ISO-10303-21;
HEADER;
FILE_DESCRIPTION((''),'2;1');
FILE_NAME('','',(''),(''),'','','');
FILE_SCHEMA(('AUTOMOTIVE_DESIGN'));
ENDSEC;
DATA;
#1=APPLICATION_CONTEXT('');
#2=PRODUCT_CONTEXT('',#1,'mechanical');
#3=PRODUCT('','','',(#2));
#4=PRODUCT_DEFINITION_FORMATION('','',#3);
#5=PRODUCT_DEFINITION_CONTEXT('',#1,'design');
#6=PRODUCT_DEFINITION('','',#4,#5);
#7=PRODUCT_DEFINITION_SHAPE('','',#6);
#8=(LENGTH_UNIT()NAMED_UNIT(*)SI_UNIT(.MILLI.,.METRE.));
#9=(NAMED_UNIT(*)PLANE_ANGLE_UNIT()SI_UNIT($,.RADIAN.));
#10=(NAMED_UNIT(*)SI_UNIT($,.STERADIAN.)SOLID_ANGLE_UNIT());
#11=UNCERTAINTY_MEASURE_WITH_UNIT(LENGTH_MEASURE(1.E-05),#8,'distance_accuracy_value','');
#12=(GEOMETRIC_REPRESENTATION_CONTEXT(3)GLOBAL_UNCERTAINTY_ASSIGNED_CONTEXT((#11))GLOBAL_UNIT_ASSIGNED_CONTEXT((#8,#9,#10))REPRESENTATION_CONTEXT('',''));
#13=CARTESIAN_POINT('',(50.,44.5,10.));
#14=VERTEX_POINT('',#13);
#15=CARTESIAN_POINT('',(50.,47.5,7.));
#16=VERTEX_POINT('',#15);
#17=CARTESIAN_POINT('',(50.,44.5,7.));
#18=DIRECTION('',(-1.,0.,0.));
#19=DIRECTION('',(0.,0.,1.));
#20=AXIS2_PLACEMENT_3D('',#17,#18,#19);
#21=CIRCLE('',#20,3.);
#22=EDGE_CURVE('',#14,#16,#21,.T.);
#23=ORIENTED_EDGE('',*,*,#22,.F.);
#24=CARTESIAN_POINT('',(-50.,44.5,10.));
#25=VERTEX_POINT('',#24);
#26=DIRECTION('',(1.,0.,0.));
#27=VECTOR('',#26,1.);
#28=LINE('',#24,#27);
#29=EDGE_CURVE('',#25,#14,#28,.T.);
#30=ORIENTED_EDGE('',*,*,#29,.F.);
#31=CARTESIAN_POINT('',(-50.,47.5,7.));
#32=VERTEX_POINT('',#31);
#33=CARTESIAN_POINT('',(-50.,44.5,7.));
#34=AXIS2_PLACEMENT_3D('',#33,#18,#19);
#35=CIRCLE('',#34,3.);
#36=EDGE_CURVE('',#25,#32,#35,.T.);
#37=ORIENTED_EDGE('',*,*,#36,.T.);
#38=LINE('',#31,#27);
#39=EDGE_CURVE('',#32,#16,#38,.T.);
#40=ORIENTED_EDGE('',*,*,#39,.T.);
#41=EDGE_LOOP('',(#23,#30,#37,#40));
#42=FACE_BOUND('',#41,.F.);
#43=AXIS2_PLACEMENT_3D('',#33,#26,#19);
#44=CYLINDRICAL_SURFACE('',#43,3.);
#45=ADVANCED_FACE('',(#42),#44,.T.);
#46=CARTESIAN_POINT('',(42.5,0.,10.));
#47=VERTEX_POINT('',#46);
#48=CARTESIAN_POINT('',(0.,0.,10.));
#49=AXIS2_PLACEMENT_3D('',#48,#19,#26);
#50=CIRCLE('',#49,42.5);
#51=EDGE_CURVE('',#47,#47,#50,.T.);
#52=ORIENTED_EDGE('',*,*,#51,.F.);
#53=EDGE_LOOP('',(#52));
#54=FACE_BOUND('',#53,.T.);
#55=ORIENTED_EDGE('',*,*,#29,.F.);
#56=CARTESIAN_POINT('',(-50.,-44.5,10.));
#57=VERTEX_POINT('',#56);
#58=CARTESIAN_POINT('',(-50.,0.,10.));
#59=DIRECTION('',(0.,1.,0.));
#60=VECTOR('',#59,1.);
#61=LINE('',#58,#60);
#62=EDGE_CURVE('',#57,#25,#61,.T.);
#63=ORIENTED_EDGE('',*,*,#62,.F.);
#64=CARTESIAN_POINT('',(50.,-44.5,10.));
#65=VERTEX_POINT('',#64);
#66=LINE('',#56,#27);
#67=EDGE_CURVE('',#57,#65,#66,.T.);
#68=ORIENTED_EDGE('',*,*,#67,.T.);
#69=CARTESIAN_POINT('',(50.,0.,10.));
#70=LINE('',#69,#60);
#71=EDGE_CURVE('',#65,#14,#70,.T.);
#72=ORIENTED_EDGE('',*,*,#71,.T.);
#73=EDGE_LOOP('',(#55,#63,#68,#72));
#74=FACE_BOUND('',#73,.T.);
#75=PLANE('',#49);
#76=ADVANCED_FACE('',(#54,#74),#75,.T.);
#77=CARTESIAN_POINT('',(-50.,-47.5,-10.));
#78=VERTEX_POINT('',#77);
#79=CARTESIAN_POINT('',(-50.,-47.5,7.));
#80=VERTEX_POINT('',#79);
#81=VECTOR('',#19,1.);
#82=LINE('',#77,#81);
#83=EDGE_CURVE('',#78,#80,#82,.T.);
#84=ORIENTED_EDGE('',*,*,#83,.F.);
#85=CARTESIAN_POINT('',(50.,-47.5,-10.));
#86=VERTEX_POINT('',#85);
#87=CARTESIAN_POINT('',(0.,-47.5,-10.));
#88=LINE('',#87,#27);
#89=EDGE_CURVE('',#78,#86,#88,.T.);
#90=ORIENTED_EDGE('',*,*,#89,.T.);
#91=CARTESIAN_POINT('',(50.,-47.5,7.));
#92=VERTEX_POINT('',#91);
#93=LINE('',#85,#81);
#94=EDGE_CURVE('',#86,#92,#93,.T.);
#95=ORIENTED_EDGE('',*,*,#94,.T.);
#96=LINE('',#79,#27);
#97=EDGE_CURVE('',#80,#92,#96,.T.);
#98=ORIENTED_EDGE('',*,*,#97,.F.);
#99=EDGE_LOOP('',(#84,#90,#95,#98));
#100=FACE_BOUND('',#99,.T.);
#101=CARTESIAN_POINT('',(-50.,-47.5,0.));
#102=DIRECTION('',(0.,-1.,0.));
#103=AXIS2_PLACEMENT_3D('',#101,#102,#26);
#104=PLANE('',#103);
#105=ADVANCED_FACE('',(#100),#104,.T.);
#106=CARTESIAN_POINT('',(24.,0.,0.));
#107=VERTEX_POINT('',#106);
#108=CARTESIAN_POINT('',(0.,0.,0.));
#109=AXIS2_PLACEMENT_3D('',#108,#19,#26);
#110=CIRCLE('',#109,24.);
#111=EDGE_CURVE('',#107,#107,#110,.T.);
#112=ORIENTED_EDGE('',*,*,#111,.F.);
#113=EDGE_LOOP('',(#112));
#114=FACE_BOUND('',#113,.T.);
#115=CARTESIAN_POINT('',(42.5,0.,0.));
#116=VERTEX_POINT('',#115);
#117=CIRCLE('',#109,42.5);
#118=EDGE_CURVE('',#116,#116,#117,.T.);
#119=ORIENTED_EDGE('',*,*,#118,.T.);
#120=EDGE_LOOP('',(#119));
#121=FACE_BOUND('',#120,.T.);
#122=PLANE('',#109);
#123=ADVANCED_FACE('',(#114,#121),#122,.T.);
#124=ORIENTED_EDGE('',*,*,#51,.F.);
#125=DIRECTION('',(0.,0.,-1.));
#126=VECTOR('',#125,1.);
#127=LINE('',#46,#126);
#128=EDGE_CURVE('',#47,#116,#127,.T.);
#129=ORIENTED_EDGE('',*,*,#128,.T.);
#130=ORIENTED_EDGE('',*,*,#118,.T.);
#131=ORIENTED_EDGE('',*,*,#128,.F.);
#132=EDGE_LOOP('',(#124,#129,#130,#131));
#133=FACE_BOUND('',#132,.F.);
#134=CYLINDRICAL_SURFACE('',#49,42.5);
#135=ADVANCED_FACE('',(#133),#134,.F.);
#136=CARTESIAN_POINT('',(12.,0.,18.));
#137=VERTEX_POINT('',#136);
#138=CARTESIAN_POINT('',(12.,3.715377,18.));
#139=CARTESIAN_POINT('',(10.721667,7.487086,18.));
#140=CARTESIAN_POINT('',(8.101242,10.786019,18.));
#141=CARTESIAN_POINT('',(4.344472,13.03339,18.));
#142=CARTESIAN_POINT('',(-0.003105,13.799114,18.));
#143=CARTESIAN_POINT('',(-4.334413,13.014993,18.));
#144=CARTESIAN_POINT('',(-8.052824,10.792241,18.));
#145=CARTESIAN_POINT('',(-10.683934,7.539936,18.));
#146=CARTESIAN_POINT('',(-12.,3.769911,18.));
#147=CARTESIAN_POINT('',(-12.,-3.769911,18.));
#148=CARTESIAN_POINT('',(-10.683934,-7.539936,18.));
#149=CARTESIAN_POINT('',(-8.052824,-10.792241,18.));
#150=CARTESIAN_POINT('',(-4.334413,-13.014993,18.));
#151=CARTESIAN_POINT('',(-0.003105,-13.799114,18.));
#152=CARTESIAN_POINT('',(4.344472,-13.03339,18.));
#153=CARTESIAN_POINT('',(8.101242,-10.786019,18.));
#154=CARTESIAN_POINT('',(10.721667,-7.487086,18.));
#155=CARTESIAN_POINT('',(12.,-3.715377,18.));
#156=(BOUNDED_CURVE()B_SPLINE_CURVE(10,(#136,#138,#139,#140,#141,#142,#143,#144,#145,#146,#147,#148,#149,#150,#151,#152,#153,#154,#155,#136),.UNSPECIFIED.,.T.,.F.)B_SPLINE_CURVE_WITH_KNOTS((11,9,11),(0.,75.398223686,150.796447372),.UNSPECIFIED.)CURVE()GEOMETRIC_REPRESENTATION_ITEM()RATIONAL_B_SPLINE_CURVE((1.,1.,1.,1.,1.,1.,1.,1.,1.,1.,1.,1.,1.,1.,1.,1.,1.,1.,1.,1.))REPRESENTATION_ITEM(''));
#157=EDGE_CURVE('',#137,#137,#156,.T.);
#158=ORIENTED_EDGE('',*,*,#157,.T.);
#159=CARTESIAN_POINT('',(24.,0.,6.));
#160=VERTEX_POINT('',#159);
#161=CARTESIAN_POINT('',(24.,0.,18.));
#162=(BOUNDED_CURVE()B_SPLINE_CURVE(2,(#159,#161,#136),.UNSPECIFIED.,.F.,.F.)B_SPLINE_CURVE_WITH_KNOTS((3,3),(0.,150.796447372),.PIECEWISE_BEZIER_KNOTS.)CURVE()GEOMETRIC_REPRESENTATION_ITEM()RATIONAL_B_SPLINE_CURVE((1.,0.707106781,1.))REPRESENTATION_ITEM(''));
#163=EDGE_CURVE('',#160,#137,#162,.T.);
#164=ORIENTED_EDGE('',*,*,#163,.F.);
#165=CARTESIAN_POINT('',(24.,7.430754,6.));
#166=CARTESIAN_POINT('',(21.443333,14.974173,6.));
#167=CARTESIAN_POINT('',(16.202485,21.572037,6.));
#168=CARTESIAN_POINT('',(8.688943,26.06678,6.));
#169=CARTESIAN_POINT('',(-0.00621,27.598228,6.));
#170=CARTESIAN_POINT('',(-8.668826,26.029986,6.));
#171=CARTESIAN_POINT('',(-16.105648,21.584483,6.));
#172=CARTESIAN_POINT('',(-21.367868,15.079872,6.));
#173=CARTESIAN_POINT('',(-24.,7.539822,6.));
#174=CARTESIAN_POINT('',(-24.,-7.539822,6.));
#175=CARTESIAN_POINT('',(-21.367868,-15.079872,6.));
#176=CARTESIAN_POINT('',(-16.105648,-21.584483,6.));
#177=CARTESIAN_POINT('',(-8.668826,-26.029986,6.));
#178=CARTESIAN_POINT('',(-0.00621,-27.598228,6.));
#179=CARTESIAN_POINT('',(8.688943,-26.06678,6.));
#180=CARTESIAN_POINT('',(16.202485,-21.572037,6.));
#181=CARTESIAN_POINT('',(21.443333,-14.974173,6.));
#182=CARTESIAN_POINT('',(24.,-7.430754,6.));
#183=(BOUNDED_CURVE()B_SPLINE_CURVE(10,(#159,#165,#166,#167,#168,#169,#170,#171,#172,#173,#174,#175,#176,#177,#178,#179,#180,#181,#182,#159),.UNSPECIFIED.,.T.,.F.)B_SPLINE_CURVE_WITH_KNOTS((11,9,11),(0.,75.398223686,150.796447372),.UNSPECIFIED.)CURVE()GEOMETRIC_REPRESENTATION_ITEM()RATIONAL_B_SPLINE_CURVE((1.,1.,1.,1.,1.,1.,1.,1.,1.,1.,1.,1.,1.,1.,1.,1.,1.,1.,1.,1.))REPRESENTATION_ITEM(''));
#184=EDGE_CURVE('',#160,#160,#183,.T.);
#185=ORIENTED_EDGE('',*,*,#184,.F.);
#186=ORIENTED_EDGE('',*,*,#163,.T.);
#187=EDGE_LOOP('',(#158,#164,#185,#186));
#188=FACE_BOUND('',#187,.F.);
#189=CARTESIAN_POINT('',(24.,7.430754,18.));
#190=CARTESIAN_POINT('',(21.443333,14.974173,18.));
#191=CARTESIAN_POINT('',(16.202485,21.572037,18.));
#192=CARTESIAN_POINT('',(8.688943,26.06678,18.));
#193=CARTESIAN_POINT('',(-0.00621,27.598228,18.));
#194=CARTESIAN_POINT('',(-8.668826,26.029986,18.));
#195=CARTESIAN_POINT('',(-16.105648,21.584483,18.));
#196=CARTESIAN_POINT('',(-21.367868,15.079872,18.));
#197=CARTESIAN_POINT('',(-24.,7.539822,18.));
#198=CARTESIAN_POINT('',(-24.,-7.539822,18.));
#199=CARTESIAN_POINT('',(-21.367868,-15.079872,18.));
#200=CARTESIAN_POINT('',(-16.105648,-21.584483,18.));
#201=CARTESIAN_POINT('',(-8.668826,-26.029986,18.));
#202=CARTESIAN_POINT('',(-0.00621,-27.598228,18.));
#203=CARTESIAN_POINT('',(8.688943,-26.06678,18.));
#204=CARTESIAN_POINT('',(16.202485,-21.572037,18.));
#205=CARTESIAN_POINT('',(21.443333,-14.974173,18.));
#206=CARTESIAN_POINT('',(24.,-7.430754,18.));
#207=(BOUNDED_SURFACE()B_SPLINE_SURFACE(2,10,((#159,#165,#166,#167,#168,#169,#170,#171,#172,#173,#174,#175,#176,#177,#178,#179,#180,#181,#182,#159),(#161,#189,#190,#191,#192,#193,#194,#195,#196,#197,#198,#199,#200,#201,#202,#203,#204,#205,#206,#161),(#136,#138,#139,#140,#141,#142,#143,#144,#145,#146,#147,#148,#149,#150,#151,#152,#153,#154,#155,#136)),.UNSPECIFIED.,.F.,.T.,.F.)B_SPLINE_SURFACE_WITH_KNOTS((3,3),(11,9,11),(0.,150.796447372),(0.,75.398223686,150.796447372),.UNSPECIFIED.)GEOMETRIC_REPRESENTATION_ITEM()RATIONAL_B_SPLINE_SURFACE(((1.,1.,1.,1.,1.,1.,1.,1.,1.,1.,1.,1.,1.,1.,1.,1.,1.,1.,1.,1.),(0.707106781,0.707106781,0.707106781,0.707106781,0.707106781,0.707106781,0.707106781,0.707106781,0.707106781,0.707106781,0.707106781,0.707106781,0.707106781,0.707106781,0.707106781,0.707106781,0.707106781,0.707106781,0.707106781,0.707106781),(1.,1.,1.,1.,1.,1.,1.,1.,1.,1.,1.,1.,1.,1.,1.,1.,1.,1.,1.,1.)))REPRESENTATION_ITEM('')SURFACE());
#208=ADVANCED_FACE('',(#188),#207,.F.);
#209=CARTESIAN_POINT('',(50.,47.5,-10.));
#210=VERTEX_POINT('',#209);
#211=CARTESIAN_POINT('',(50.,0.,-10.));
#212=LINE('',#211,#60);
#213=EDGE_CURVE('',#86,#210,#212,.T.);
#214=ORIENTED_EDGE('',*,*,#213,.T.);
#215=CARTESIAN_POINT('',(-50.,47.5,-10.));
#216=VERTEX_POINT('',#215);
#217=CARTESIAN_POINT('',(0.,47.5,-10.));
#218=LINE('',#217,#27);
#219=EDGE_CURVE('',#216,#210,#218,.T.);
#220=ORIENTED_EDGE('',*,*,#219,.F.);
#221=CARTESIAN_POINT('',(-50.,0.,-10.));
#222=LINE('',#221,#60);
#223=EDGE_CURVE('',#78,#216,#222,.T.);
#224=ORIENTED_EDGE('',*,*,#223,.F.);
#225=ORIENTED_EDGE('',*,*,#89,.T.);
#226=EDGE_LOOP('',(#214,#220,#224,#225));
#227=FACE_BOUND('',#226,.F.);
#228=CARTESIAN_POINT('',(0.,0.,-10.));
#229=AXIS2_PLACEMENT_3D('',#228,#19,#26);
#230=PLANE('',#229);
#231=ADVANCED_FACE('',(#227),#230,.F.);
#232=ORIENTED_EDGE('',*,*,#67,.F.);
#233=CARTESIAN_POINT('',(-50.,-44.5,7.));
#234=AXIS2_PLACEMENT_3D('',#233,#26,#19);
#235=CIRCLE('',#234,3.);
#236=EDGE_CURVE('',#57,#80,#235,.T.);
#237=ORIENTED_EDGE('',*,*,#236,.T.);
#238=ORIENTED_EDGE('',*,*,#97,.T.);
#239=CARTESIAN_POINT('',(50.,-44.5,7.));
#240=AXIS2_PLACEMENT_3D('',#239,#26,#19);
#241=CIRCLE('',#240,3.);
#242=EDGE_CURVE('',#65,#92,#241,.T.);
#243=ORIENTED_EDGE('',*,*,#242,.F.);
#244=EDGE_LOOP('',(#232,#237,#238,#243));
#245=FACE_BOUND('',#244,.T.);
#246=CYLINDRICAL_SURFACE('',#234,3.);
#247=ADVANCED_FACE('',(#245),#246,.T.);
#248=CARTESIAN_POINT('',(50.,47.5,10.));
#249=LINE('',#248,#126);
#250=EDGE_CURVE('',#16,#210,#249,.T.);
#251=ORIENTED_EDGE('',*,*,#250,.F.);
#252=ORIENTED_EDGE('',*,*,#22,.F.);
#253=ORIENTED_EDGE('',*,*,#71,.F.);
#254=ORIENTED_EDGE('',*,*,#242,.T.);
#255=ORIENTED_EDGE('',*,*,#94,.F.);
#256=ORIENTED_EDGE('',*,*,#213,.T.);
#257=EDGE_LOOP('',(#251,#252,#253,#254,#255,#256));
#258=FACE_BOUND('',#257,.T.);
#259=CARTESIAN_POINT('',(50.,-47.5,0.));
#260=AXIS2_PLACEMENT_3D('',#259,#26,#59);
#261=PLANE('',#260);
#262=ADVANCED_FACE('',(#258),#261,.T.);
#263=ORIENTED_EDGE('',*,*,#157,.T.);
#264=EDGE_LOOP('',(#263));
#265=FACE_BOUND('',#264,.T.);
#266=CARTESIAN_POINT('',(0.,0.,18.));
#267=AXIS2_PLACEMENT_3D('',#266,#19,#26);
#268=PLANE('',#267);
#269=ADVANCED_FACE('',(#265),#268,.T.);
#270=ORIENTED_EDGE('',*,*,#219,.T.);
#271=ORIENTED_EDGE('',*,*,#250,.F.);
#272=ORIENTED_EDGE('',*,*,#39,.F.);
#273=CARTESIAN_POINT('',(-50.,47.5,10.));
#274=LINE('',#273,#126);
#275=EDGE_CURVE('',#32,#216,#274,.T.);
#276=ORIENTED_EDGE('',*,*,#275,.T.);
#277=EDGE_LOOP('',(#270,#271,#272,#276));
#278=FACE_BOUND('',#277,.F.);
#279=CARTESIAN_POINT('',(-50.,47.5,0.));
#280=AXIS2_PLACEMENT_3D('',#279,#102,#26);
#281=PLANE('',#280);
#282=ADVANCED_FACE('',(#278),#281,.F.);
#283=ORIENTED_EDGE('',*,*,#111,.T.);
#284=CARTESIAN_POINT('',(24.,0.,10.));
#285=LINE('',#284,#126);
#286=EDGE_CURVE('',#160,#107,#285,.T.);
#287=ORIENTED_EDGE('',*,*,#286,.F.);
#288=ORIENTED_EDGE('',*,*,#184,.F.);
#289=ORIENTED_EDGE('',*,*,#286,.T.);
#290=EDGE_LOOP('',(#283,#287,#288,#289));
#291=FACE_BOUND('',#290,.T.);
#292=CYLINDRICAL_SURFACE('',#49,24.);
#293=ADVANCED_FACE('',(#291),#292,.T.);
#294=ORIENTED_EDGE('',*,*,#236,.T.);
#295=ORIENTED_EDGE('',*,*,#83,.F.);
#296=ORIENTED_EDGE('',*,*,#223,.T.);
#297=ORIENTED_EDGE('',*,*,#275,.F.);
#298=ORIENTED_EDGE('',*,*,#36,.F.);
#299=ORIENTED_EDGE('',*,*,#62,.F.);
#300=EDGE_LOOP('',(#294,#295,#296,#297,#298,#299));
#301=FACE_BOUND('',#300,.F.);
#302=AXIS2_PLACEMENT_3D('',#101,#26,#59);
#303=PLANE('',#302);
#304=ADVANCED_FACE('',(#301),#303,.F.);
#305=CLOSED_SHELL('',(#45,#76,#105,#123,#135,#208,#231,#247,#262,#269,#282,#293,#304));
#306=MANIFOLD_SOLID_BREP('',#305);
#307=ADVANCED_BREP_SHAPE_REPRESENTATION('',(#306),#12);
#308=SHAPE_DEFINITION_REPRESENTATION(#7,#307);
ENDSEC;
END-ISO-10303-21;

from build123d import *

# Parameters (mm, degrees)
F0_W     = 100
F0_H     = 95
F1_DEPTH = 10
F2_R     = 42.5
F2_R_2   = 24
F3_DEPTH = 10
F4_R     = 24
F4_R_2   = 14
F5_DEPTH = 8
F6_R     = 12
F7_R     = 3


with BuildPart() as f1:
    # F0 (on Top) → F1 (new body, symmetric)
    with BuildSketch(Plane.XY):
        Rectangle(F0_W, F0_H)
    extrude(amount=F1_DEPTH, both=True)

    # F2 (on face) → F3 (cut)
    with BuildSketch(Plane.XY.offset(10)):
        Circle(F2_R)
        Circle(F2_R_2, mode=Mode.SUBTRACT)
    extrude(amount=-F3_DEPTH, mode=Mode.SUBTRACT)

    # F4 (on face) → F5 (join)
    with BuildSketch(Plane.XY.offset(10)):
        Circle(F4_R)
        Circle(F4_R_2, mode=Mode.SUBTRACT)
        Circle(F4_R_2)
    extrude(amount=F5_DEPTH)

    # F6
    f6_edges = [f1.edges().sort_by_distance(p)[0] for p in [
        (-24, 0, 18),
    ]]
    fillet(f6_edges, radius=F6_R)

    # F7
    f7_edges = [f1.edges().sort_by_distance(p)[0] for p in [
        (0, 47.5, 10),
        (0, -47.5, 10),
    ]]
    fillet(f7_edges, radius=F7_R)


solid = f1.part
